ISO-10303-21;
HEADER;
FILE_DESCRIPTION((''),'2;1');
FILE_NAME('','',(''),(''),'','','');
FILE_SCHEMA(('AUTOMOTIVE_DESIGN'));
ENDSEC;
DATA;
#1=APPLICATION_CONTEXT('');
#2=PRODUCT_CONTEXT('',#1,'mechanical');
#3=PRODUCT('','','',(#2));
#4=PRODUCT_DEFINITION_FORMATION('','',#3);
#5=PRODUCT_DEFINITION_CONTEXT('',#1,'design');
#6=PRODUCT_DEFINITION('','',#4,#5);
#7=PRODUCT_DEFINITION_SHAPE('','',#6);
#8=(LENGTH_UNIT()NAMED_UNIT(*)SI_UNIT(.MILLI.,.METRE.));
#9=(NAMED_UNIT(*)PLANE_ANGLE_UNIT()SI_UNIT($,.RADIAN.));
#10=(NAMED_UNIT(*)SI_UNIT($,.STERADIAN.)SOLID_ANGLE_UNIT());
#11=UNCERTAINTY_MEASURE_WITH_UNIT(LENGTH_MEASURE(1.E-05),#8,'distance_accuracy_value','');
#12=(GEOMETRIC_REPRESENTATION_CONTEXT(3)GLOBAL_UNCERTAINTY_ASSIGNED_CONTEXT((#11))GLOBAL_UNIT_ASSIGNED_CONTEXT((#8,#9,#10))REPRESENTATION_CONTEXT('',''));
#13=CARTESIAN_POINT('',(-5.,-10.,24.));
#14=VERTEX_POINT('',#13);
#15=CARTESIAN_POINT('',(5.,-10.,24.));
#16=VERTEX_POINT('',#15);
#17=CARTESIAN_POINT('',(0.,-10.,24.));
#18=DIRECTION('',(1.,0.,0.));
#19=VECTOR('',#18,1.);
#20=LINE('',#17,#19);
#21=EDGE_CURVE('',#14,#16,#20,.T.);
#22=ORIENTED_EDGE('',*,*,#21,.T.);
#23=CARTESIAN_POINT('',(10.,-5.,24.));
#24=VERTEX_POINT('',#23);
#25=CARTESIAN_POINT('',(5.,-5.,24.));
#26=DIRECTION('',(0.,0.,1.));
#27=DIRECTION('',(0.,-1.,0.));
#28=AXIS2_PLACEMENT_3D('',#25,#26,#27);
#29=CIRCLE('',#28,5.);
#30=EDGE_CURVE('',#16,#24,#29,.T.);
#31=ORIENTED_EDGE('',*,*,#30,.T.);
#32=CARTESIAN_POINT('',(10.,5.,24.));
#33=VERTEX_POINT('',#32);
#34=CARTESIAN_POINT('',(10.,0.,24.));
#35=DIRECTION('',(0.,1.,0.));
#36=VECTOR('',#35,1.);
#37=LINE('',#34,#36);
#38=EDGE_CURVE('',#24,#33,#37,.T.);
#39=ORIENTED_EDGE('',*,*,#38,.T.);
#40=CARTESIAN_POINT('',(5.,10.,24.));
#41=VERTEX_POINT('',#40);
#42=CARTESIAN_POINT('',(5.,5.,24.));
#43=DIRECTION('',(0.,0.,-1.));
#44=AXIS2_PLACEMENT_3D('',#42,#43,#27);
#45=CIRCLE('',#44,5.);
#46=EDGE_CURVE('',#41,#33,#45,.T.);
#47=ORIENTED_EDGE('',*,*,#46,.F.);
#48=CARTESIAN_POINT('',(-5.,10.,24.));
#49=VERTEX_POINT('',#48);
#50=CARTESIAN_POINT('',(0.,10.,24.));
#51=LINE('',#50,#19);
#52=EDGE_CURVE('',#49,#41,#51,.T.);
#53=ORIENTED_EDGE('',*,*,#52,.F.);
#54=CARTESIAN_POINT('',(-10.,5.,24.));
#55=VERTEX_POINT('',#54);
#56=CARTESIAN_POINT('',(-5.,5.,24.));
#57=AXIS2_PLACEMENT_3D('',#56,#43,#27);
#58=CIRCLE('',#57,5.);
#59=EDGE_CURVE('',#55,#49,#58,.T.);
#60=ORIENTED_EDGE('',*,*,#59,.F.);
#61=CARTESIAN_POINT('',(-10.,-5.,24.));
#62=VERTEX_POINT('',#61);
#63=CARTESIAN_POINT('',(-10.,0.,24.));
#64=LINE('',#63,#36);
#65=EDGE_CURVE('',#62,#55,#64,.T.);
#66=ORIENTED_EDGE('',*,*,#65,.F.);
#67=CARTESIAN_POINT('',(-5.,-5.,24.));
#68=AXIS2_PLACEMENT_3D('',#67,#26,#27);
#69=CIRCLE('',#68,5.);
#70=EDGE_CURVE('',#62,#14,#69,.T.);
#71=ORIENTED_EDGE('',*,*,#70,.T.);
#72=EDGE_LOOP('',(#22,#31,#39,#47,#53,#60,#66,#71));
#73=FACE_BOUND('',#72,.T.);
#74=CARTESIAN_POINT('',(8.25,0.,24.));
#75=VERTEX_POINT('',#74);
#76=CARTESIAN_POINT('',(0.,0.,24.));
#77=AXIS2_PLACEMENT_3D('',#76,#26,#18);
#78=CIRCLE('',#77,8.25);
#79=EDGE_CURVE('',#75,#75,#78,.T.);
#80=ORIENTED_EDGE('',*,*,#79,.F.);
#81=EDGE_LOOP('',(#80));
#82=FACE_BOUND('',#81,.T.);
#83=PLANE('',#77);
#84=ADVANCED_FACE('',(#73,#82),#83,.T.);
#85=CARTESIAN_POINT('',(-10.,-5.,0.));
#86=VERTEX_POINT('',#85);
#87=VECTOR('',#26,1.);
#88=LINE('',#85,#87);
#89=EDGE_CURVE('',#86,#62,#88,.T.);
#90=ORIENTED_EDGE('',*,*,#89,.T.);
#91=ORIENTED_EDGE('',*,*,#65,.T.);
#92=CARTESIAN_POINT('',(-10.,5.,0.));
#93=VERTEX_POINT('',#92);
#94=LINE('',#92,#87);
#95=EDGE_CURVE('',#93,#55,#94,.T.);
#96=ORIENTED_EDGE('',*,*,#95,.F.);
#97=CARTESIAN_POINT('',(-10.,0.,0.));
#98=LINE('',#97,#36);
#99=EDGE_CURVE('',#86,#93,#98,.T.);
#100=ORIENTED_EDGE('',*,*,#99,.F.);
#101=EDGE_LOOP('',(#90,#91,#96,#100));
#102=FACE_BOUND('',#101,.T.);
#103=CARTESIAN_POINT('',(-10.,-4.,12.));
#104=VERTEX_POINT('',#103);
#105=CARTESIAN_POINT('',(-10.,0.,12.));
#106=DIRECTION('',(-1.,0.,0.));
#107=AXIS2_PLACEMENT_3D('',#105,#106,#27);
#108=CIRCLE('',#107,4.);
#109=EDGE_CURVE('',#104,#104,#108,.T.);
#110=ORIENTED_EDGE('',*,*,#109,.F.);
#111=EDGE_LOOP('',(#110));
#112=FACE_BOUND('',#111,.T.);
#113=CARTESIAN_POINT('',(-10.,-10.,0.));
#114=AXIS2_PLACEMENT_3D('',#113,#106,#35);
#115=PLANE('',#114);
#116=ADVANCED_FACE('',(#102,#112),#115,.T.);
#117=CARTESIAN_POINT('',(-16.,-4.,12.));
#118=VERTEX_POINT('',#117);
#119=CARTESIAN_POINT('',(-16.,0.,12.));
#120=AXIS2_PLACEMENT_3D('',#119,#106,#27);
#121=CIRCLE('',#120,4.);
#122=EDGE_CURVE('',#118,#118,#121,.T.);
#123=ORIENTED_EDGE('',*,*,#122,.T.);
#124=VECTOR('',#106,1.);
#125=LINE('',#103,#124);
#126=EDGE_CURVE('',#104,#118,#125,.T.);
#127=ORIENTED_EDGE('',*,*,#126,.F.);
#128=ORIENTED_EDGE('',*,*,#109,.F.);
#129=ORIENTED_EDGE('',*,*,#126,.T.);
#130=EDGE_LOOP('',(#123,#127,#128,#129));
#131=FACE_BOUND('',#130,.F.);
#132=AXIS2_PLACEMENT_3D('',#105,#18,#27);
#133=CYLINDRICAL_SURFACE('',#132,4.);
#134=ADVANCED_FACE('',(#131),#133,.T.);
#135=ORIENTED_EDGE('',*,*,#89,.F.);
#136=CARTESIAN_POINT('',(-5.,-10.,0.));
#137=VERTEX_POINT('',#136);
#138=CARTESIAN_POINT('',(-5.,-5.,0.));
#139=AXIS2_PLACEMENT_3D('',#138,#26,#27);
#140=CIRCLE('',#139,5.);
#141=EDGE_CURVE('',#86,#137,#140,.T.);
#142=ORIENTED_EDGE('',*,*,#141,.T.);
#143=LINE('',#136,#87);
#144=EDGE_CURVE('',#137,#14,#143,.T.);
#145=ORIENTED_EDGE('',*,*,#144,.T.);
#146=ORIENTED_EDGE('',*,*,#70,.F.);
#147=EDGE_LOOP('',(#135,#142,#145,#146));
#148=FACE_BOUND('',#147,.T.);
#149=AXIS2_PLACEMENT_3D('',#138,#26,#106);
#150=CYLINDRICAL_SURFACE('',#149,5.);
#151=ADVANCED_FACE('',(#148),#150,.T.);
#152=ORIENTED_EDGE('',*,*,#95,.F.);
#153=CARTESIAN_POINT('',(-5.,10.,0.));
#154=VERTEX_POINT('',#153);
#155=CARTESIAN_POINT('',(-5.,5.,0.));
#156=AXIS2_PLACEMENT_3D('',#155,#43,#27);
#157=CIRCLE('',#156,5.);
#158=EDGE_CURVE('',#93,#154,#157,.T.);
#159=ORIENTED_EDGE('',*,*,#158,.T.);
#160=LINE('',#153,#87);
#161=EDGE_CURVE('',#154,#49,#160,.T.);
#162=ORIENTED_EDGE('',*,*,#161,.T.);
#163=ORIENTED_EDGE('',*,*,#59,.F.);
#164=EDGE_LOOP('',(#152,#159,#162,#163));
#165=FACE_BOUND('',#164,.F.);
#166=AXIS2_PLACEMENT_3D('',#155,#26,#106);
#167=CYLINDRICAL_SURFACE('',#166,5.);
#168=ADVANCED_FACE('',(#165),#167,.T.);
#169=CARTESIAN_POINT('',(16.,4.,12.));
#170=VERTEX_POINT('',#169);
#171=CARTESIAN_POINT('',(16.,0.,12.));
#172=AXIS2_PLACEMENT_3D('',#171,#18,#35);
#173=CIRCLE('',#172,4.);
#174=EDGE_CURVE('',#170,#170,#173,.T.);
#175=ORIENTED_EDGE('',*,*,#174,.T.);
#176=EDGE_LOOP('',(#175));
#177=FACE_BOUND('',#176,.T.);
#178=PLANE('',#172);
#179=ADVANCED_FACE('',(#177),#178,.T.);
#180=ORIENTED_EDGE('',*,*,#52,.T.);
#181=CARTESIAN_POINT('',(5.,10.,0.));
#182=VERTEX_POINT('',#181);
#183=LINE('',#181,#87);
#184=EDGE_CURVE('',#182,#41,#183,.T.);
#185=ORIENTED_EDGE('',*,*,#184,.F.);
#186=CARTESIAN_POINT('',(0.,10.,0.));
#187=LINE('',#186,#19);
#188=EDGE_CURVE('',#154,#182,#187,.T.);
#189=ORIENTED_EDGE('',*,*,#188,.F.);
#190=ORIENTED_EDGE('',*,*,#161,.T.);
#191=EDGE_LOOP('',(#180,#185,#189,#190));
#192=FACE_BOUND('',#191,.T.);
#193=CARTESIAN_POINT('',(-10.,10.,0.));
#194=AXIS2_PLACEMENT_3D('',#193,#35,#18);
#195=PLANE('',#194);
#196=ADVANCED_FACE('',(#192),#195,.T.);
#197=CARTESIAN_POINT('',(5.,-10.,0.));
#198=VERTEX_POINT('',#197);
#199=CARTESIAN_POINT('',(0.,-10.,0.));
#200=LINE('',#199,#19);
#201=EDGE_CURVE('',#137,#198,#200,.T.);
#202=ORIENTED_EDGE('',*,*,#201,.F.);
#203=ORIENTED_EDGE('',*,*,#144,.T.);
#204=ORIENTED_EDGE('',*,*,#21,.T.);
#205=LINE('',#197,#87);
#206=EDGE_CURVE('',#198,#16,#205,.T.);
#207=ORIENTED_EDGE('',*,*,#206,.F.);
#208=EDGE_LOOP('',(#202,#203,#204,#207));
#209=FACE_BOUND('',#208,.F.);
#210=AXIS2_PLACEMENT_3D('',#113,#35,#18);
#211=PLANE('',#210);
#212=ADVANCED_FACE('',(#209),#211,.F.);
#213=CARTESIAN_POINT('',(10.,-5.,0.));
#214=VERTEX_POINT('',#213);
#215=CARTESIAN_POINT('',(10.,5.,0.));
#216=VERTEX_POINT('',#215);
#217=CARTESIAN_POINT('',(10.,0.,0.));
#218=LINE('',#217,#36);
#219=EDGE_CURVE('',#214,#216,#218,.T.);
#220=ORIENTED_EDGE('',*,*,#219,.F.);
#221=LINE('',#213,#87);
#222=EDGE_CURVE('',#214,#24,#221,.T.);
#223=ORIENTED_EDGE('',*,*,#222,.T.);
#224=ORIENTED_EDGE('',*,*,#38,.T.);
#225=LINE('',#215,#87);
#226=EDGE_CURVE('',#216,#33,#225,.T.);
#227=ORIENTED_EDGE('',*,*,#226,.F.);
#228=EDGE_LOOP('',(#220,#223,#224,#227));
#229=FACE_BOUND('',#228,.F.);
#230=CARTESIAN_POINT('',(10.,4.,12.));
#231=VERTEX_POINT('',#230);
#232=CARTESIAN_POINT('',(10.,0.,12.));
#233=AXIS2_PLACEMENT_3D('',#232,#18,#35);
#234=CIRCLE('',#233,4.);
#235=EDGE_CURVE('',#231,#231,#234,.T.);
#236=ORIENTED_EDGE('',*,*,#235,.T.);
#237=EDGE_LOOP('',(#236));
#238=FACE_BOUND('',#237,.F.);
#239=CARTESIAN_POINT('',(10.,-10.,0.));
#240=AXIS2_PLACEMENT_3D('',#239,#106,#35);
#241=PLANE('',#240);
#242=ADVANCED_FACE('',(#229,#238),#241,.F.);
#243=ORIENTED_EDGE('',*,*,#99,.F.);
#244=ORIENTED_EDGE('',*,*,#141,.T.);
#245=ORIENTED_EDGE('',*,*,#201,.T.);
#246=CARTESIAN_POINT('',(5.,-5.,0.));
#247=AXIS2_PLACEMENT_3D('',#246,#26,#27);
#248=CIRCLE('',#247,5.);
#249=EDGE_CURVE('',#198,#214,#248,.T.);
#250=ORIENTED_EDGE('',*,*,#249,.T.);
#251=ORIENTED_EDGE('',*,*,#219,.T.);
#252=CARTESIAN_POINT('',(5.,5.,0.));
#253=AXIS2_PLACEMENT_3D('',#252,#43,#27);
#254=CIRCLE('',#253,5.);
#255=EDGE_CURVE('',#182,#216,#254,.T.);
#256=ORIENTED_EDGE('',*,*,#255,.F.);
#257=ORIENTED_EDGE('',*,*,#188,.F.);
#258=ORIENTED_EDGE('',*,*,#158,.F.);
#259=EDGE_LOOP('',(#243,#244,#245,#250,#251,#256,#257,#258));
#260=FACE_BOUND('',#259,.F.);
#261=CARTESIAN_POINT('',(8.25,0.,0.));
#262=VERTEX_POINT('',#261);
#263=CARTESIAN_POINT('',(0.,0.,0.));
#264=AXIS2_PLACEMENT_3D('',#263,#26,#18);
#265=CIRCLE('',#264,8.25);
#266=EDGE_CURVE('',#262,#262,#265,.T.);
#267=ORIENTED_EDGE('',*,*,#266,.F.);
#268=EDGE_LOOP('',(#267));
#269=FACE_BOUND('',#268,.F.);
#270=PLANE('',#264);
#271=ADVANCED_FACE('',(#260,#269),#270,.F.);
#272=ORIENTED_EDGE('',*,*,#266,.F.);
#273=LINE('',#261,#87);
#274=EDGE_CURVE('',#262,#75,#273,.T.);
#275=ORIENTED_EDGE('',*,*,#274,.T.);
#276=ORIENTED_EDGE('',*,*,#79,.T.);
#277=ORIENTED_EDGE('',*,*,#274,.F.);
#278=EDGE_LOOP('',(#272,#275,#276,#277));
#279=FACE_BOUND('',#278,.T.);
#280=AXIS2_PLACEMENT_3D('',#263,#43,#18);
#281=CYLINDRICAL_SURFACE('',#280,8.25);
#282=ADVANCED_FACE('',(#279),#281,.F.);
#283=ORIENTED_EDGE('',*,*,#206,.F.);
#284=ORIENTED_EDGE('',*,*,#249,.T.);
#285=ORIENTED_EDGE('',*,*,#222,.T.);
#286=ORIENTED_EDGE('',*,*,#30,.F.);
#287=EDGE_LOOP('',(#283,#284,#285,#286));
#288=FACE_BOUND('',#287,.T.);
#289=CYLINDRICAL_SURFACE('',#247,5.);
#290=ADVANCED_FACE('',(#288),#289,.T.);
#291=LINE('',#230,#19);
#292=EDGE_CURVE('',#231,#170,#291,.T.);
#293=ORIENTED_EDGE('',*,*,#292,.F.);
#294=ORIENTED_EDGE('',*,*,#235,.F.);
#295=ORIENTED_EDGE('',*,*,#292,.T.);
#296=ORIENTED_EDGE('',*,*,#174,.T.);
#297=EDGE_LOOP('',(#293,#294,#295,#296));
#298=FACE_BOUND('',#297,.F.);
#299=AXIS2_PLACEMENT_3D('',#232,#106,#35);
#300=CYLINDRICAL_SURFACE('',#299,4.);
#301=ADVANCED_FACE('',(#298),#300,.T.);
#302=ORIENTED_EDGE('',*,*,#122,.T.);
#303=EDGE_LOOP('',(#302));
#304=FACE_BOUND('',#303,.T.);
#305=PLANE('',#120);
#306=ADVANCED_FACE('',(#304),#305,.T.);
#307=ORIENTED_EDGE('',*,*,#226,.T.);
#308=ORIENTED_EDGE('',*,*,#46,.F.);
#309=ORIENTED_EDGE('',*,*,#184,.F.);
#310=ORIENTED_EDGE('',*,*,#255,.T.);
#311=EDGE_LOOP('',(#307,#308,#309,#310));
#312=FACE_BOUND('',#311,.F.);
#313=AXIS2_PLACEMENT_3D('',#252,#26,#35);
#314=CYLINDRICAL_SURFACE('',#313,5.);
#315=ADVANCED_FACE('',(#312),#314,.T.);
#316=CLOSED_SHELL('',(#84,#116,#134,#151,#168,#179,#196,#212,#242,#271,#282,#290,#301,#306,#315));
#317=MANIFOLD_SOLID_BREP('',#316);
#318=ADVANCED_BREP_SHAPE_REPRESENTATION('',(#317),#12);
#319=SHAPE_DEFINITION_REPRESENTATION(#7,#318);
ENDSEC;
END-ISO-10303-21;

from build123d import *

# Parameters (mm, degrees)
F0_W     = 20
F0_H     = 20
F0_R     = 8.25
F1_DEPTH = 24
F2_R     = 5
F3_R     = 4
F4_DEPTH = 6
F5_R     = 4
F6_DEPTH = 6


with BuildPart() as f1:
    # F0 (on Top) → F1 (new body)
    with BuildSketch(Plane.XY):
        Rectangle(F0_W, F0_H)
        Circle(F0_R, mode=Mode.SUBTRACT)
    extrude(amount=F1_DEPTH)

    # F2
    f2_edges = [f1.edges().sort_by_distance(p)[0] for p in [
        (10, 10, 12),
        (10, -10, 12),
        (-10, 10, 12),
        (-10, -10, 12),
    ]]
    fillet(f2_edges, radius=F2_R)

    # F3 (on face) → F4 (join)
    with BuildSketch(Plane.YZ.offset(10)):
        with Locations((0, 12)):
            Circle(F3_R)
    extrude(amount=F4_DEPTH)

    # F5 (on face) → F6 (join)
    with BuildSketch(Plane(origin=(-10, 0, 0), x_dir=(0, -1, 0), z_dir=(-1, 0, 0))):
        with Locations((0, 12)):
            Circle(F5_R)
    extrude(amount=F6_DEPTH)


solid = f1.part
